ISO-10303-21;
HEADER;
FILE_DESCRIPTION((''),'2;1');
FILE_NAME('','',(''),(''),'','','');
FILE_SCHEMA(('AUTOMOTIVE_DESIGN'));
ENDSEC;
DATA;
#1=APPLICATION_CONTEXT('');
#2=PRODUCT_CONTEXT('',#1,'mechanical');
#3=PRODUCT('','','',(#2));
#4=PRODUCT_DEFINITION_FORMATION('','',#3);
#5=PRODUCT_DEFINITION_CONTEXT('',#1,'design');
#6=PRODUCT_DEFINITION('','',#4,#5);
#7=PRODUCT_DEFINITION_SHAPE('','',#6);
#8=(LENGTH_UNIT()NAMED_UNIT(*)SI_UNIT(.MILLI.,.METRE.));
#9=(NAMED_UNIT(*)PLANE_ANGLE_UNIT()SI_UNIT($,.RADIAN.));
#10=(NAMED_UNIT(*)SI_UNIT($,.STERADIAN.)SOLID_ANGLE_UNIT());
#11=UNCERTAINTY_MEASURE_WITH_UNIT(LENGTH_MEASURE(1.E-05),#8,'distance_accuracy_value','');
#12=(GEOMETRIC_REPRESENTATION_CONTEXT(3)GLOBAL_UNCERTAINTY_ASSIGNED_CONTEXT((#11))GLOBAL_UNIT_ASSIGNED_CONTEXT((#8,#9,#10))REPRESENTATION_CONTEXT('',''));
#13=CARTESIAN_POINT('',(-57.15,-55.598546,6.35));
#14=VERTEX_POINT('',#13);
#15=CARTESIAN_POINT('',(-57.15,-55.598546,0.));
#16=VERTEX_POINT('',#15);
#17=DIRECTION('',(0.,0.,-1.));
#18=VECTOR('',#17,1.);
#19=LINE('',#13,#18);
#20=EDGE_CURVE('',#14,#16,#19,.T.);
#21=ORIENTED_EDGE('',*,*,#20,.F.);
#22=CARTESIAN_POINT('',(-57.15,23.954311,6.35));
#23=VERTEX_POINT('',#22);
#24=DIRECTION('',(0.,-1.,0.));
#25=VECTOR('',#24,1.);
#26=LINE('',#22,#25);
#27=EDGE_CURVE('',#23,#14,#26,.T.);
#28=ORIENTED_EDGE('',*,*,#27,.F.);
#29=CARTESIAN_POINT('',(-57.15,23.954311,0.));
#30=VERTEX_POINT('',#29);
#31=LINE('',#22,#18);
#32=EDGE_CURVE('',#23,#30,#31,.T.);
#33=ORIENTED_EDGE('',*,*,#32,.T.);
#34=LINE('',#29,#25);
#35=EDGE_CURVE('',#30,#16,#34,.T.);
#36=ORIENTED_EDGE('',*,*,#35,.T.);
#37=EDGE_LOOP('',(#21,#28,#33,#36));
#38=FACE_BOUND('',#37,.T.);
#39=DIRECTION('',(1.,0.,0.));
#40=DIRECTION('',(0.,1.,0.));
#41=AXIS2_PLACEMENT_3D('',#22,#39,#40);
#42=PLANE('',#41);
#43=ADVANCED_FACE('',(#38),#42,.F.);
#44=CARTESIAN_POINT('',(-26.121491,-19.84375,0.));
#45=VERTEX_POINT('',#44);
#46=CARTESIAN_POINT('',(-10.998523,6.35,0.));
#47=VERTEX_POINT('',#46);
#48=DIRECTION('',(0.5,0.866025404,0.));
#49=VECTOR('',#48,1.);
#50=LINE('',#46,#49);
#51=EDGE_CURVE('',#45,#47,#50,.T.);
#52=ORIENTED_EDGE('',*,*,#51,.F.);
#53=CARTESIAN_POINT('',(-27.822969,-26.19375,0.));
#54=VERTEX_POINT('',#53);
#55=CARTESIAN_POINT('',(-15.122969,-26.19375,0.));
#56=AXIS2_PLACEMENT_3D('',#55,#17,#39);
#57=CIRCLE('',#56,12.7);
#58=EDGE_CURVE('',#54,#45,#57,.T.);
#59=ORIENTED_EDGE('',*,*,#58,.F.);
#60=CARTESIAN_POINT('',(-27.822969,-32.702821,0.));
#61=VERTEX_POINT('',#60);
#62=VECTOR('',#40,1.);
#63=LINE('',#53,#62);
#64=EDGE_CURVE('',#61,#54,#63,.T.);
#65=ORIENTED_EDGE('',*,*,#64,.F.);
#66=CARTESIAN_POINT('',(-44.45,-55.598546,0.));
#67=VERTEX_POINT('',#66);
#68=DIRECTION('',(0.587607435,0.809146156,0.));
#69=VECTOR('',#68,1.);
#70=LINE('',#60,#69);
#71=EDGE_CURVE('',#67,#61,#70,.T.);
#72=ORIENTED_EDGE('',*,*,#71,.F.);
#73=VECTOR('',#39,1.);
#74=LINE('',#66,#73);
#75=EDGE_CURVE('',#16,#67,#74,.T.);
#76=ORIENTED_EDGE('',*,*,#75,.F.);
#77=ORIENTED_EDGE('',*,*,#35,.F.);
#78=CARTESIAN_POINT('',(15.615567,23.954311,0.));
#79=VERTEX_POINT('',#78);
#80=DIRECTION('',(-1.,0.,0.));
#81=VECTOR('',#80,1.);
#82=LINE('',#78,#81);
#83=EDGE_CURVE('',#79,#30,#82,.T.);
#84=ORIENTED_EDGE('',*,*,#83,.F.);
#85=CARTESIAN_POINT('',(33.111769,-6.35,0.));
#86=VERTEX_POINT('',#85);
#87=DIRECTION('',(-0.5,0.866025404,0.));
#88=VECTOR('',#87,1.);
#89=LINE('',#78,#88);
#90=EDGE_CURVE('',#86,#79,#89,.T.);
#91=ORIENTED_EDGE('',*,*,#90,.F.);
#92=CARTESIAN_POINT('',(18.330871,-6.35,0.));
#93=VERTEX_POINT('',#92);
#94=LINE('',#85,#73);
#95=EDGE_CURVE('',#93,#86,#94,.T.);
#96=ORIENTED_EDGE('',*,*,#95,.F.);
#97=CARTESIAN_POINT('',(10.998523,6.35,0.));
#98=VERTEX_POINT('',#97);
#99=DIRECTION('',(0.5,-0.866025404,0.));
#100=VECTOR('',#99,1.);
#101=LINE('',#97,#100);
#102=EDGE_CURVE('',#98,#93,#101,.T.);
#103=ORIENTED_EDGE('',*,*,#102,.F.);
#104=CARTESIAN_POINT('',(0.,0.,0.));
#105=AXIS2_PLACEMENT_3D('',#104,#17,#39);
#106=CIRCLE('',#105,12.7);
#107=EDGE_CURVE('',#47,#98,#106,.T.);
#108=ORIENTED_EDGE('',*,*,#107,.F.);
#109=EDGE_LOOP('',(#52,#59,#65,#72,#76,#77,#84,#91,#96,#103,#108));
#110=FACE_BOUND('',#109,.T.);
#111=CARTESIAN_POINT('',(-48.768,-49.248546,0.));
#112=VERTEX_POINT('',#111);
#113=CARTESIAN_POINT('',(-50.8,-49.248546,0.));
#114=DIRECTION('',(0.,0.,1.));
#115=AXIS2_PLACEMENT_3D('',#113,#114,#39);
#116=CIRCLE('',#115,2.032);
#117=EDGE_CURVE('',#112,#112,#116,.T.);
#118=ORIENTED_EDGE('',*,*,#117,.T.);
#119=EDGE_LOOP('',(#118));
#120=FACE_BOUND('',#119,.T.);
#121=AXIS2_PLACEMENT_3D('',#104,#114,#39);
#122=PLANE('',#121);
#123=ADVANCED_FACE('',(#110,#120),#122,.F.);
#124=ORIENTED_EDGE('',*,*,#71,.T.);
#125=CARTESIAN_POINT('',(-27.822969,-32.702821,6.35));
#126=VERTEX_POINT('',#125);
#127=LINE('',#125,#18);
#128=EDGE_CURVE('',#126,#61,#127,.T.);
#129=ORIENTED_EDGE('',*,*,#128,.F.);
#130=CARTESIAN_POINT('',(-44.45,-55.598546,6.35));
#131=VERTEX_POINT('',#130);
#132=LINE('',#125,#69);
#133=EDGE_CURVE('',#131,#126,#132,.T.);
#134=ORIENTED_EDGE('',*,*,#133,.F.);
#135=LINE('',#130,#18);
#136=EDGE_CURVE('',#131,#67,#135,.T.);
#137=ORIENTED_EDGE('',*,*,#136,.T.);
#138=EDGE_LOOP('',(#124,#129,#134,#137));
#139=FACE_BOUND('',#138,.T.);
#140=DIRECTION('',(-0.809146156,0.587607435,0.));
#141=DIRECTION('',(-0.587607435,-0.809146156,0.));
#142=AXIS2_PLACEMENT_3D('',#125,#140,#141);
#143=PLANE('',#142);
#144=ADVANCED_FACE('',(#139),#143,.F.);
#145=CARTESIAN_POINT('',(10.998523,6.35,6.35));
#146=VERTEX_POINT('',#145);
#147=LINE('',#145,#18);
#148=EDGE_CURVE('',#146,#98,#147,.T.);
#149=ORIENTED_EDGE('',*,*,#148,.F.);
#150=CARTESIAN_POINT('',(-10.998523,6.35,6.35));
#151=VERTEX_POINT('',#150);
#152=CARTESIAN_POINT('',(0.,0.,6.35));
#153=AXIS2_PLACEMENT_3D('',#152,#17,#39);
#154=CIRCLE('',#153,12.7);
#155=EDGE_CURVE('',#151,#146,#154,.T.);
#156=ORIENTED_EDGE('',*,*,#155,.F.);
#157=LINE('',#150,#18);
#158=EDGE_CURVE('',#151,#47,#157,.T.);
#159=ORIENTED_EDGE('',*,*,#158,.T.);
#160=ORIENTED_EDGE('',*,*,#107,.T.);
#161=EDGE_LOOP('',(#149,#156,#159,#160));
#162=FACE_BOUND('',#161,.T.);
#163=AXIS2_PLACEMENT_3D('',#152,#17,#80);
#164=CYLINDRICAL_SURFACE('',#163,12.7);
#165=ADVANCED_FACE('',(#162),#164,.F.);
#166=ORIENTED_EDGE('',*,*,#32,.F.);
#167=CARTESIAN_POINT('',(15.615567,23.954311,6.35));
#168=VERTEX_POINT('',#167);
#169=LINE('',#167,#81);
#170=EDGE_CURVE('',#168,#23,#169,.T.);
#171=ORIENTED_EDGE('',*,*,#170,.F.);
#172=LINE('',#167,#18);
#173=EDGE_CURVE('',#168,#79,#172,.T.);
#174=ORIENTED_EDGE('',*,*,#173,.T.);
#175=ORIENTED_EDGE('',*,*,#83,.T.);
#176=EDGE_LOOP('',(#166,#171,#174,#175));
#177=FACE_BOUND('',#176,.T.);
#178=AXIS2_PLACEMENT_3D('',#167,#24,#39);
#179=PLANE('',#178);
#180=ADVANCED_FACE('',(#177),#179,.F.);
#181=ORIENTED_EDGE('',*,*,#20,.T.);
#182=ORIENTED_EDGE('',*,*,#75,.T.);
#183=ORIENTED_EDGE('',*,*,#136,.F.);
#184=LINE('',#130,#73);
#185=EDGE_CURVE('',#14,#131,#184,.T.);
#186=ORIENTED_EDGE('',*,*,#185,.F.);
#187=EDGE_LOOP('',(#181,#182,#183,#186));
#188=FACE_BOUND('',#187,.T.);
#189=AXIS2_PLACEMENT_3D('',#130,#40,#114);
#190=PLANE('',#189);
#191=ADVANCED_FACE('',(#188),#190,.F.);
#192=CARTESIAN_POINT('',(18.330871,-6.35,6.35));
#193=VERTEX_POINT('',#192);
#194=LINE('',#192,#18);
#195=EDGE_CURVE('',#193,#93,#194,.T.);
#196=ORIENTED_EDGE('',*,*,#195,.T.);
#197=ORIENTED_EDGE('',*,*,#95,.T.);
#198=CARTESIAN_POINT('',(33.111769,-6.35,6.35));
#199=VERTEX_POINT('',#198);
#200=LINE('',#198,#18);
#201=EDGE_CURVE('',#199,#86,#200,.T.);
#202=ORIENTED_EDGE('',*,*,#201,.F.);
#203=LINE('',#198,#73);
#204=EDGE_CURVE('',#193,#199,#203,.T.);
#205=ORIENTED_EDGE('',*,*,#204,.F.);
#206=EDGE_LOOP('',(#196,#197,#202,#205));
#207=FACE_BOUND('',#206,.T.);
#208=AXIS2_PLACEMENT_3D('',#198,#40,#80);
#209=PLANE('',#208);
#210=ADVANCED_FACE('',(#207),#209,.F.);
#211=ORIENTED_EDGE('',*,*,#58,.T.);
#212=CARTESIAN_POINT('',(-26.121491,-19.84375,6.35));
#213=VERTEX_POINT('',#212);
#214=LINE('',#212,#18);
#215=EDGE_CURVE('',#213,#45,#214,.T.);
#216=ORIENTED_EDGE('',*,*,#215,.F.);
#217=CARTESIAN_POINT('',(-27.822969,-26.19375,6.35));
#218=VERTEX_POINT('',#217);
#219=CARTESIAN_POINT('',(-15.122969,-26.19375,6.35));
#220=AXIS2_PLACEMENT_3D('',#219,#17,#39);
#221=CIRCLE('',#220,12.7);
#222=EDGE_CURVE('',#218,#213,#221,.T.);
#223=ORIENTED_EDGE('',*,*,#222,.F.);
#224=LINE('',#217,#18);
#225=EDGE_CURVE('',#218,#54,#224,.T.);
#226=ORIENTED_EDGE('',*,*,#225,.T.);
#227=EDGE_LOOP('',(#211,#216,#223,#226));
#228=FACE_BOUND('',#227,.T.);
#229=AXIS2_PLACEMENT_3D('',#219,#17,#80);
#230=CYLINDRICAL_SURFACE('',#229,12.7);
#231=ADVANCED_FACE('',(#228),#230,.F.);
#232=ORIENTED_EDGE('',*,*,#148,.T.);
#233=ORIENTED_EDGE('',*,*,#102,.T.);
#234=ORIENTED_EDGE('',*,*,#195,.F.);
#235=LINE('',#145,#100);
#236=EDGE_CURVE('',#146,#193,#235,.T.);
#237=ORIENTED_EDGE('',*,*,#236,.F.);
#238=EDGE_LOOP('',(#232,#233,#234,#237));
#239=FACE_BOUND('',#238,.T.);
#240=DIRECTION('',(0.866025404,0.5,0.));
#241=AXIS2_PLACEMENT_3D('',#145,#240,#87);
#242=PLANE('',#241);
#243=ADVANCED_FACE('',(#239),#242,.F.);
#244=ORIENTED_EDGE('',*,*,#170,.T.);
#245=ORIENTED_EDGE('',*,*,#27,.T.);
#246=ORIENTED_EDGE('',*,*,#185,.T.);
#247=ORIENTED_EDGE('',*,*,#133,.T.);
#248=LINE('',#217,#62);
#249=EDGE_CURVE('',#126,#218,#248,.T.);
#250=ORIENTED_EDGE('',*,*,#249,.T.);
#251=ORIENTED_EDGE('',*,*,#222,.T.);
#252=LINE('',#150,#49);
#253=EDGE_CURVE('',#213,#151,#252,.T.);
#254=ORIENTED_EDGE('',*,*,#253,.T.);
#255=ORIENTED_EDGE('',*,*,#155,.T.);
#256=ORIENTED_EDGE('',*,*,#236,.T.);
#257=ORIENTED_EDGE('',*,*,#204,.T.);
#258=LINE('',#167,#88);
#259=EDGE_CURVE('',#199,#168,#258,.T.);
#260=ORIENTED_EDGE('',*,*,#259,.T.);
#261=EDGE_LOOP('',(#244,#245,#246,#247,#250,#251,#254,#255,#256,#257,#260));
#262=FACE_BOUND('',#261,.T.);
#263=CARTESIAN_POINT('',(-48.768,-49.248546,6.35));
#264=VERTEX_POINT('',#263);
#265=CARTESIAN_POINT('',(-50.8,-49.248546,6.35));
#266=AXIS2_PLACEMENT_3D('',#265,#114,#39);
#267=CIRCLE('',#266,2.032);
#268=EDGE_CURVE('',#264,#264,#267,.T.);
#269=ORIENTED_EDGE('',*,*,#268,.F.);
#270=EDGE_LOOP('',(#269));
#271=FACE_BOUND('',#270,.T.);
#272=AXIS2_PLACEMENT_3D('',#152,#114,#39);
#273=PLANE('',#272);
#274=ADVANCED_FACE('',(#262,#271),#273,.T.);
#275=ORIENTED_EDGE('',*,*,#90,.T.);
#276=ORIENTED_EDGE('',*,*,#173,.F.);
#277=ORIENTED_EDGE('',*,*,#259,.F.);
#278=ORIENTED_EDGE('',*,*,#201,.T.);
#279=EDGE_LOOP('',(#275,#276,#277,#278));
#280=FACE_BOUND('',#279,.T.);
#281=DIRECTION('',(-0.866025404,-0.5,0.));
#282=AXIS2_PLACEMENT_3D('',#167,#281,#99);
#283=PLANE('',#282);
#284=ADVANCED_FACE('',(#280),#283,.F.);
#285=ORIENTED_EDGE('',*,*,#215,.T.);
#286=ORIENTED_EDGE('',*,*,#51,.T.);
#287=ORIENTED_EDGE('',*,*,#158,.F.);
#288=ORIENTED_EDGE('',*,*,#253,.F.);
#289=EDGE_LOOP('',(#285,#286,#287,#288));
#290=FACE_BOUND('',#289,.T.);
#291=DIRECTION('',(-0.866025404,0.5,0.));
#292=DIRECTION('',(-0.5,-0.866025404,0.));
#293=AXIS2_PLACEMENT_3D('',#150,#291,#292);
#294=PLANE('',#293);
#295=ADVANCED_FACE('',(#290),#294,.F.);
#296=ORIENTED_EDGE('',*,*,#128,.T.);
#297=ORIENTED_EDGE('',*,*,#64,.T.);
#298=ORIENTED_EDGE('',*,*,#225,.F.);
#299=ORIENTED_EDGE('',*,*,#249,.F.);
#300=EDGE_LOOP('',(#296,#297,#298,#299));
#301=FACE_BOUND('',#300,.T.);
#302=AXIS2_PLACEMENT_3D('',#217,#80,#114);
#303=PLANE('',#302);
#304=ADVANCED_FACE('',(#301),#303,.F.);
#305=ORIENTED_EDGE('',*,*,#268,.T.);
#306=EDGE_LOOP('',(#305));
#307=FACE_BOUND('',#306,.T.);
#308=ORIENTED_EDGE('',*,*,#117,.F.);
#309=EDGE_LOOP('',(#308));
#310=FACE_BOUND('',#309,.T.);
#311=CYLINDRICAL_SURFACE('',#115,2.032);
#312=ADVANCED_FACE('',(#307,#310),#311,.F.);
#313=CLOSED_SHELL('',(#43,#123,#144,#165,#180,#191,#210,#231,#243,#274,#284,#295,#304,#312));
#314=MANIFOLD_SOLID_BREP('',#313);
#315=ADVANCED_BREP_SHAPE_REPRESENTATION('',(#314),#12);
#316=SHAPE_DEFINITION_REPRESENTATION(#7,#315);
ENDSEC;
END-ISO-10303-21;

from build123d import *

# Parameters (mm, degrees)
BOSS_EXTRUDE1_DEPTH = 6.35
SKETCH3_R           = 2.032
CUT_EXTRUDE1_DEPTH  = 80.985269666


with BuildPart() as part:
    # Sketch1 → Boss-Extrude1 (new body)
    with BuildSketch(Plane.XY):
        with BuildLine():
            Line((-10.998522628, 6.35), (-26.121491239, -19.843749996))
            ThreePointArc((-26.121491239, -19.843749996), (-27.390226605, -22.906748123), (-27.822968611, -26.193749996))
            Line((-27.822968611, -26.193749996), (-27.822968611, -32.702820897))
            Line((-27.822968611, -32.702820897), (-44.45, -55.598546415))
            Line((-44.45, -55.598546415), (-57.15, -55.598546415))
            Line((-57.15, -55.598546415), (-57.15, 23.954310777))
            Line((-57.15, 23.954310777), (15.615566787, 23.954310777))
            Line((15.615566787, 23.954310777), (33.111768772, -6.35))
            Line((33.111768772, -6.35), (18.330871047, -6.35))
            Line((18.330871047, -6.35), (10.998522628, 6.35))
            ThreePointArc((10.998522628, 6.35), (0, 12.7), (-10.998522628, 6.35))
        make_face()
    extrude(amount=BOSS_EXTRUDE1_DEPTH)

    # Sketch3 → Cut-Extrude1 (cut, through all)
    with BuildSketch(Plane.XY.offset(6.35)):
        with Locations((-50.8, -49.248546415)):
            Circle(SKETCH3_R)
    extrude(amount=-CUT_EXTRUDE1_DEPTH, mode=Mode.SUBTRACT)


solid = part.part
